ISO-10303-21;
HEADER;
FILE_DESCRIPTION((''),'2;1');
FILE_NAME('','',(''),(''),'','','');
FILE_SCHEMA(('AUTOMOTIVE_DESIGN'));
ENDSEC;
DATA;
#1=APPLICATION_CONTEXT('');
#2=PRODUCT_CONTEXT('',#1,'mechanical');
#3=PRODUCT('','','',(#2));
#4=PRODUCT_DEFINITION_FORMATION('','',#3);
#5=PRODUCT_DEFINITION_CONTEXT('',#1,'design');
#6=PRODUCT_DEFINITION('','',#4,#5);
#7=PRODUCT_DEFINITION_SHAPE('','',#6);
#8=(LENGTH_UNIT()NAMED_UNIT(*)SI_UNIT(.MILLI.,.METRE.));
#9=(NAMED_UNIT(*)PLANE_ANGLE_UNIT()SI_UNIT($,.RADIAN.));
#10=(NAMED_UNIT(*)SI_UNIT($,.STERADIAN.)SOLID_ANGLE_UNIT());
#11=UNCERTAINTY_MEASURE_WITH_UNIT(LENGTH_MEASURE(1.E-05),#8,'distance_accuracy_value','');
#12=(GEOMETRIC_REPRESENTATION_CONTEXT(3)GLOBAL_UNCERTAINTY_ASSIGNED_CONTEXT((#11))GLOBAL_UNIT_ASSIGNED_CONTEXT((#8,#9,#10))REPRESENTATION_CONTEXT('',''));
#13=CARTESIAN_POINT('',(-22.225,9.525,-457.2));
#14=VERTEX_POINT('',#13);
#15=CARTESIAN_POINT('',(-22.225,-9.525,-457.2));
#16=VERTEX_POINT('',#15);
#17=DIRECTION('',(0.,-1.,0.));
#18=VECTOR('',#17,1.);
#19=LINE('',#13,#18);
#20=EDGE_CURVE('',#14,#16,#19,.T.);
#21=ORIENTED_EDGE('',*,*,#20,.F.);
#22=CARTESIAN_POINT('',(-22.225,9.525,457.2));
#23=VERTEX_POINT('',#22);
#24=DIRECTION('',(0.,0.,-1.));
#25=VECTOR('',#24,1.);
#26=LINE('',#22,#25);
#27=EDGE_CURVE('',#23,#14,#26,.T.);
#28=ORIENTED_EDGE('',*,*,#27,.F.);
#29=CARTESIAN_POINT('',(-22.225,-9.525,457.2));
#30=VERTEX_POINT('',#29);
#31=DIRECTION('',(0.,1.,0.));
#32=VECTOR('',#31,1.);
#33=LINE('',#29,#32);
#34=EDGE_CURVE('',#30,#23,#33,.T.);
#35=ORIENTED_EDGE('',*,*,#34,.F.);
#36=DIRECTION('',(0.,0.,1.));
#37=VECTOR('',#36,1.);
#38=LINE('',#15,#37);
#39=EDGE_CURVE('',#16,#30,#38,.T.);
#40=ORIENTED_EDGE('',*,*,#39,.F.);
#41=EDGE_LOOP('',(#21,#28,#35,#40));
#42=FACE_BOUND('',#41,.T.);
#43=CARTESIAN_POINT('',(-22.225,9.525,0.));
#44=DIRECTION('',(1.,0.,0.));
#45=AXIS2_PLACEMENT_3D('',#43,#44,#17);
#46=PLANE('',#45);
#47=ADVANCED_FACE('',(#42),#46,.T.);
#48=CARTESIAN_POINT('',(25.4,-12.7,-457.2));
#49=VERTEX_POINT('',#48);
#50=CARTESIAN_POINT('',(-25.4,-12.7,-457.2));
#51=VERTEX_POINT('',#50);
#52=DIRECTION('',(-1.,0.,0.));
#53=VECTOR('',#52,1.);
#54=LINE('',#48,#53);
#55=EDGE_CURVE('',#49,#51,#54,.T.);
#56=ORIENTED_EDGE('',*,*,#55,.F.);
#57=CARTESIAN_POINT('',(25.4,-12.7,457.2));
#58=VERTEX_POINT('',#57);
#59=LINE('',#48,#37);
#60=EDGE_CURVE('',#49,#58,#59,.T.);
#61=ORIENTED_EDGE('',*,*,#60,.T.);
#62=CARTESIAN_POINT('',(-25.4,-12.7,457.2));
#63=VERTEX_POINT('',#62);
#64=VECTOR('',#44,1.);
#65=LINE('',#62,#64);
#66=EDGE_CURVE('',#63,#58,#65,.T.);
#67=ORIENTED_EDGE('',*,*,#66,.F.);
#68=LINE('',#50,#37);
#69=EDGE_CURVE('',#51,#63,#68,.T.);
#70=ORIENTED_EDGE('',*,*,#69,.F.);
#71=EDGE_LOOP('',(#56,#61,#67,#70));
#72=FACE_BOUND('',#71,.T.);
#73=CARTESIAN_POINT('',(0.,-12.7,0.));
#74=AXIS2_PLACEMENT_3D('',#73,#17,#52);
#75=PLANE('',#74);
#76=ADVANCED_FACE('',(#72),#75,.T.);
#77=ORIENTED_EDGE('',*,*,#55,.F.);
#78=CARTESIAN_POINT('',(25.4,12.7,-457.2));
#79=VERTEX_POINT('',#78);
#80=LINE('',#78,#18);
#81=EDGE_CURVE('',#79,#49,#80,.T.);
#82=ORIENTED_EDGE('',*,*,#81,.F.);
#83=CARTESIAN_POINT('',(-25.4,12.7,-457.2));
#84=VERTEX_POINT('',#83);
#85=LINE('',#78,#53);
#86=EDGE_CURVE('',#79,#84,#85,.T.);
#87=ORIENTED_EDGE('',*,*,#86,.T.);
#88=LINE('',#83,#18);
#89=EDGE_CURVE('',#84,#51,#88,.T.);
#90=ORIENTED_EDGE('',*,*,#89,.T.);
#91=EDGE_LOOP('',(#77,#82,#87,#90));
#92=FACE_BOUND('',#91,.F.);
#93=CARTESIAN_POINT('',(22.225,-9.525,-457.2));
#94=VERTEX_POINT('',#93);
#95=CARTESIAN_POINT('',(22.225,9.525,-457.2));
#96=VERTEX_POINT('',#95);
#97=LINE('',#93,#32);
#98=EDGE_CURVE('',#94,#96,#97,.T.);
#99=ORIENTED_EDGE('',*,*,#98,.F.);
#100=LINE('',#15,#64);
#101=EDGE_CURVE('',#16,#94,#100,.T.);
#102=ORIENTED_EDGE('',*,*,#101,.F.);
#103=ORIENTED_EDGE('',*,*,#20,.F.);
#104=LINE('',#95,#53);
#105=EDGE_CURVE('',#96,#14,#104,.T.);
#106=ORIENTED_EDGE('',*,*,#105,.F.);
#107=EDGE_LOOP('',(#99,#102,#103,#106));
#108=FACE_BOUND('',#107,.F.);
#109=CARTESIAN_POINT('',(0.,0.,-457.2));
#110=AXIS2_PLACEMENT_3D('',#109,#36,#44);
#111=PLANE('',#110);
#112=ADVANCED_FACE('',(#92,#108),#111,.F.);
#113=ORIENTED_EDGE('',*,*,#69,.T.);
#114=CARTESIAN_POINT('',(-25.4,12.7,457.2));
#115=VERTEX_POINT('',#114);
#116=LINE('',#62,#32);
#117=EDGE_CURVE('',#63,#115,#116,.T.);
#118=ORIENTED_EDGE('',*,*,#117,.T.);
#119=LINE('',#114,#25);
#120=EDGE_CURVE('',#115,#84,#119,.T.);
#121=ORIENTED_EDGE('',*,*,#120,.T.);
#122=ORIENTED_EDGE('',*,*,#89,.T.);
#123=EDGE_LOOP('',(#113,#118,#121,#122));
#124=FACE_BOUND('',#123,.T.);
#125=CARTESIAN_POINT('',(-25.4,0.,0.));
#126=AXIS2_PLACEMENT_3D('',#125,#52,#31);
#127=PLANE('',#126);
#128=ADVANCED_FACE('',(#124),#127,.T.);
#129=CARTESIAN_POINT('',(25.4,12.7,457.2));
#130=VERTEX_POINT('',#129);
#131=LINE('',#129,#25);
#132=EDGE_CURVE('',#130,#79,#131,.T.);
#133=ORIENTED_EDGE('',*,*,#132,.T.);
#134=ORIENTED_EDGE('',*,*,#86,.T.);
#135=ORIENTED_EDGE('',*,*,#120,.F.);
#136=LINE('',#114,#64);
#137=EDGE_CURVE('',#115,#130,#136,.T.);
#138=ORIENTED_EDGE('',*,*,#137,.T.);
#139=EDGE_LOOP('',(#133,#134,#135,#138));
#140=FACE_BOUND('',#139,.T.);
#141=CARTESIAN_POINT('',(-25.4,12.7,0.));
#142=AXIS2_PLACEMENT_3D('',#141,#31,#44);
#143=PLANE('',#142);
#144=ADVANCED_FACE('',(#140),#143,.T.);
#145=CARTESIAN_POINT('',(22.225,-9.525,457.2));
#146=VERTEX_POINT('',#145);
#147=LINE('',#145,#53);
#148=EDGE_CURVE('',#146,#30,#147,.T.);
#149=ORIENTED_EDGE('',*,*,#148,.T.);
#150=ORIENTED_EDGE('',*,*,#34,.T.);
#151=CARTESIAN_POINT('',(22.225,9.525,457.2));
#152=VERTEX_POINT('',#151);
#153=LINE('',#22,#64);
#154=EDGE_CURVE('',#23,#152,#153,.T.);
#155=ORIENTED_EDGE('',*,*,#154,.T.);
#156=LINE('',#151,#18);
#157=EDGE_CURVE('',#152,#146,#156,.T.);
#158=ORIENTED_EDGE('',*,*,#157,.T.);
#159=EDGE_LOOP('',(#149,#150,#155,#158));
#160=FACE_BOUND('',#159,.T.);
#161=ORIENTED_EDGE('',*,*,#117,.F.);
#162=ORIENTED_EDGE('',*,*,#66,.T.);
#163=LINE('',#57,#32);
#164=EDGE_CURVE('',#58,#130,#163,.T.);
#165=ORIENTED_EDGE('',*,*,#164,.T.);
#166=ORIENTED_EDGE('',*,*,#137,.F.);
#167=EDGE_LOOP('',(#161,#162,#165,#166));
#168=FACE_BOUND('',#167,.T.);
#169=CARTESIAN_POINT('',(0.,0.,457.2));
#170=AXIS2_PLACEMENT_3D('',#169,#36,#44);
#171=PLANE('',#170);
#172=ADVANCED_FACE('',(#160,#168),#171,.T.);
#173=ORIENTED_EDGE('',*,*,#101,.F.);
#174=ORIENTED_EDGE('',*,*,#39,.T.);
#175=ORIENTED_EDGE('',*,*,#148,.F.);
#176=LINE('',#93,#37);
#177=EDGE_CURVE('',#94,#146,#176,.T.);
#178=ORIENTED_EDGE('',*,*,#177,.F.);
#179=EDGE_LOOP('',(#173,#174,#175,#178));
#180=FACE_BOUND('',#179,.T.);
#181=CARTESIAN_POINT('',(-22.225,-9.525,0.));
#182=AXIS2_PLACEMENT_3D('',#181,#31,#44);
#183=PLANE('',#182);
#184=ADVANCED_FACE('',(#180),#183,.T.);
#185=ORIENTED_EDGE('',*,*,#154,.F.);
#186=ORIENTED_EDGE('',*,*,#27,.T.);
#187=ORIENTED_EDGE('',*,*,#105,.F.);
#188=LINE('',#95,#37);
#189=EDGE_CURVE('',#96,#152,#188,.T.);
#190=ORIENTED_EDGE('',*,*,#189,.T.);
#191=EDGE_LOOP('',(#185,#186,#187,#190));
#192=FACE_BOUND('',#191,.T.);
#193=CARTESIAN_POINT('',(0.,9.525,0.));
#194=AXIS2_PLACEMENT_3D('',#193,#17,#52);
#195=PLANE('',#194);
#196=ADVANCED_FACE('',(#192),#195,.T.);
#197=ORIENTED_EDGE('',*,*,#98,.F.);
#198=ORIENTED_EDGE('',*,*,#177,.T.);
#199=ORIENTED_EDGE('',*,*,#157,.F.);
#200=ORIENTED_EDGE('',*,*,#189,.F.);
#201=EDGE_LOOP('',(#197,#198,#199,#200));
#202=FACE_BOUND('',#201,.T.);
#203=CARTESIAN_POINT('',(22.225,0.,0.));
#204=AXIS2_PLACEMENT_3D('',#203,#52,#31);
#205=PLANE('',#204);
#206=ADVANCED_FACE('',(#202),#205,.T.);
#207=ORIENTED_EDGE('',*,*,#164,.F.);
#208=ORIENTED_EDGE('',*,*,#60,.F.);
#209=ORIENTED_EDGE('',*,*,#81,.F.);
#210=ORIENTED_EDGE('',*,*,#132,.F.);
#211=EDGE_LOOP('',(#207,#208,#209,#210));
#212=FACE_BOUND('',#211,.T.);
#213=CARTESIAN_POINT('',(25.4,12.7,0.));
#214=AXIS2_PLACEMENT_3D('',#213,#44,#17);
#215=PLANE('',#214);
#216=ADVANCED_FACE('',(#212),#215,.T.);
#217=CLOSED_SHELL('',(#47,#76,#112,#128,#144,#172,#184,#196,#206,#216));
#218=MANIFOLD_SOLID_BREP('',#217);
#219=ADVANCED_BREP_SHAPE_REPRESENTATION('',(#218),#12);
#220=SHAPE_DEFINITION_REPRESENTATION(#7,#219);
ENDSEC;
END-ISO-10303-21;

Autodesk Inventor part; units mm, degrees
ref_plane "YZ Plane" through (0, 0, 0) normal (1, 0, 0) x (0, 1, 0)
ref_plane "XZ Plane" through (0, 0, 0) normal (0, 1, 0) x (-1, 0, 0)
ref_plane "XY Plane" through (0, 0, 0) normal (0, 0, 1) x (1, 0, 0)
sketch "Sketch1" plane through (0, 0, 0) normal (0, 0, 1) x (1, 0, 0)
  line L0 (-35.56, 0) -> (35.56, 0) projected
  line L1 (0, -17.78) -> (0, 17.78) projected
  line L2 (-25.4, 12.7) -> (25.4, 12.7)
  line L3 (25.4, 12.7) -> (25.4, -12.7)
  line L4 (25.4, -12.7) -> (-25.4, -12.7)
  line L5 (-25.4, -12.7) -> (-25.4, 12.7)
  line L6 (22.225, 9.525) -> (-22.225, 9.525)
  line L7 (-22.225, 9.525) -> (-22.225, -9.525)
  line L8 (-22.225, -9.525) -> (22.225, -9.525)
  line L9 (22.225, -9.525) -> (22.225, 9.525)
  point P0 (0, 0)
  point P1 (-25.4, 0)
  point P2 (0, 12.7)
  dimension "d0" = 25.4
  dimension "d1" = 3.175
  dimension "d7" = 50.8
extrude "Extrusion1" add sketch "Sketch1" along normal mid plane 914.4 contours L5 L2 L1 L6 L7 L0 | L0 L7 L8 L1 L4 L5 | L1 L8 L9 L0 L3 L4 | L2 L3 L0 L9 L6 L1
properties part number "tubing_template_0.125" material "Aluminum-6061"
